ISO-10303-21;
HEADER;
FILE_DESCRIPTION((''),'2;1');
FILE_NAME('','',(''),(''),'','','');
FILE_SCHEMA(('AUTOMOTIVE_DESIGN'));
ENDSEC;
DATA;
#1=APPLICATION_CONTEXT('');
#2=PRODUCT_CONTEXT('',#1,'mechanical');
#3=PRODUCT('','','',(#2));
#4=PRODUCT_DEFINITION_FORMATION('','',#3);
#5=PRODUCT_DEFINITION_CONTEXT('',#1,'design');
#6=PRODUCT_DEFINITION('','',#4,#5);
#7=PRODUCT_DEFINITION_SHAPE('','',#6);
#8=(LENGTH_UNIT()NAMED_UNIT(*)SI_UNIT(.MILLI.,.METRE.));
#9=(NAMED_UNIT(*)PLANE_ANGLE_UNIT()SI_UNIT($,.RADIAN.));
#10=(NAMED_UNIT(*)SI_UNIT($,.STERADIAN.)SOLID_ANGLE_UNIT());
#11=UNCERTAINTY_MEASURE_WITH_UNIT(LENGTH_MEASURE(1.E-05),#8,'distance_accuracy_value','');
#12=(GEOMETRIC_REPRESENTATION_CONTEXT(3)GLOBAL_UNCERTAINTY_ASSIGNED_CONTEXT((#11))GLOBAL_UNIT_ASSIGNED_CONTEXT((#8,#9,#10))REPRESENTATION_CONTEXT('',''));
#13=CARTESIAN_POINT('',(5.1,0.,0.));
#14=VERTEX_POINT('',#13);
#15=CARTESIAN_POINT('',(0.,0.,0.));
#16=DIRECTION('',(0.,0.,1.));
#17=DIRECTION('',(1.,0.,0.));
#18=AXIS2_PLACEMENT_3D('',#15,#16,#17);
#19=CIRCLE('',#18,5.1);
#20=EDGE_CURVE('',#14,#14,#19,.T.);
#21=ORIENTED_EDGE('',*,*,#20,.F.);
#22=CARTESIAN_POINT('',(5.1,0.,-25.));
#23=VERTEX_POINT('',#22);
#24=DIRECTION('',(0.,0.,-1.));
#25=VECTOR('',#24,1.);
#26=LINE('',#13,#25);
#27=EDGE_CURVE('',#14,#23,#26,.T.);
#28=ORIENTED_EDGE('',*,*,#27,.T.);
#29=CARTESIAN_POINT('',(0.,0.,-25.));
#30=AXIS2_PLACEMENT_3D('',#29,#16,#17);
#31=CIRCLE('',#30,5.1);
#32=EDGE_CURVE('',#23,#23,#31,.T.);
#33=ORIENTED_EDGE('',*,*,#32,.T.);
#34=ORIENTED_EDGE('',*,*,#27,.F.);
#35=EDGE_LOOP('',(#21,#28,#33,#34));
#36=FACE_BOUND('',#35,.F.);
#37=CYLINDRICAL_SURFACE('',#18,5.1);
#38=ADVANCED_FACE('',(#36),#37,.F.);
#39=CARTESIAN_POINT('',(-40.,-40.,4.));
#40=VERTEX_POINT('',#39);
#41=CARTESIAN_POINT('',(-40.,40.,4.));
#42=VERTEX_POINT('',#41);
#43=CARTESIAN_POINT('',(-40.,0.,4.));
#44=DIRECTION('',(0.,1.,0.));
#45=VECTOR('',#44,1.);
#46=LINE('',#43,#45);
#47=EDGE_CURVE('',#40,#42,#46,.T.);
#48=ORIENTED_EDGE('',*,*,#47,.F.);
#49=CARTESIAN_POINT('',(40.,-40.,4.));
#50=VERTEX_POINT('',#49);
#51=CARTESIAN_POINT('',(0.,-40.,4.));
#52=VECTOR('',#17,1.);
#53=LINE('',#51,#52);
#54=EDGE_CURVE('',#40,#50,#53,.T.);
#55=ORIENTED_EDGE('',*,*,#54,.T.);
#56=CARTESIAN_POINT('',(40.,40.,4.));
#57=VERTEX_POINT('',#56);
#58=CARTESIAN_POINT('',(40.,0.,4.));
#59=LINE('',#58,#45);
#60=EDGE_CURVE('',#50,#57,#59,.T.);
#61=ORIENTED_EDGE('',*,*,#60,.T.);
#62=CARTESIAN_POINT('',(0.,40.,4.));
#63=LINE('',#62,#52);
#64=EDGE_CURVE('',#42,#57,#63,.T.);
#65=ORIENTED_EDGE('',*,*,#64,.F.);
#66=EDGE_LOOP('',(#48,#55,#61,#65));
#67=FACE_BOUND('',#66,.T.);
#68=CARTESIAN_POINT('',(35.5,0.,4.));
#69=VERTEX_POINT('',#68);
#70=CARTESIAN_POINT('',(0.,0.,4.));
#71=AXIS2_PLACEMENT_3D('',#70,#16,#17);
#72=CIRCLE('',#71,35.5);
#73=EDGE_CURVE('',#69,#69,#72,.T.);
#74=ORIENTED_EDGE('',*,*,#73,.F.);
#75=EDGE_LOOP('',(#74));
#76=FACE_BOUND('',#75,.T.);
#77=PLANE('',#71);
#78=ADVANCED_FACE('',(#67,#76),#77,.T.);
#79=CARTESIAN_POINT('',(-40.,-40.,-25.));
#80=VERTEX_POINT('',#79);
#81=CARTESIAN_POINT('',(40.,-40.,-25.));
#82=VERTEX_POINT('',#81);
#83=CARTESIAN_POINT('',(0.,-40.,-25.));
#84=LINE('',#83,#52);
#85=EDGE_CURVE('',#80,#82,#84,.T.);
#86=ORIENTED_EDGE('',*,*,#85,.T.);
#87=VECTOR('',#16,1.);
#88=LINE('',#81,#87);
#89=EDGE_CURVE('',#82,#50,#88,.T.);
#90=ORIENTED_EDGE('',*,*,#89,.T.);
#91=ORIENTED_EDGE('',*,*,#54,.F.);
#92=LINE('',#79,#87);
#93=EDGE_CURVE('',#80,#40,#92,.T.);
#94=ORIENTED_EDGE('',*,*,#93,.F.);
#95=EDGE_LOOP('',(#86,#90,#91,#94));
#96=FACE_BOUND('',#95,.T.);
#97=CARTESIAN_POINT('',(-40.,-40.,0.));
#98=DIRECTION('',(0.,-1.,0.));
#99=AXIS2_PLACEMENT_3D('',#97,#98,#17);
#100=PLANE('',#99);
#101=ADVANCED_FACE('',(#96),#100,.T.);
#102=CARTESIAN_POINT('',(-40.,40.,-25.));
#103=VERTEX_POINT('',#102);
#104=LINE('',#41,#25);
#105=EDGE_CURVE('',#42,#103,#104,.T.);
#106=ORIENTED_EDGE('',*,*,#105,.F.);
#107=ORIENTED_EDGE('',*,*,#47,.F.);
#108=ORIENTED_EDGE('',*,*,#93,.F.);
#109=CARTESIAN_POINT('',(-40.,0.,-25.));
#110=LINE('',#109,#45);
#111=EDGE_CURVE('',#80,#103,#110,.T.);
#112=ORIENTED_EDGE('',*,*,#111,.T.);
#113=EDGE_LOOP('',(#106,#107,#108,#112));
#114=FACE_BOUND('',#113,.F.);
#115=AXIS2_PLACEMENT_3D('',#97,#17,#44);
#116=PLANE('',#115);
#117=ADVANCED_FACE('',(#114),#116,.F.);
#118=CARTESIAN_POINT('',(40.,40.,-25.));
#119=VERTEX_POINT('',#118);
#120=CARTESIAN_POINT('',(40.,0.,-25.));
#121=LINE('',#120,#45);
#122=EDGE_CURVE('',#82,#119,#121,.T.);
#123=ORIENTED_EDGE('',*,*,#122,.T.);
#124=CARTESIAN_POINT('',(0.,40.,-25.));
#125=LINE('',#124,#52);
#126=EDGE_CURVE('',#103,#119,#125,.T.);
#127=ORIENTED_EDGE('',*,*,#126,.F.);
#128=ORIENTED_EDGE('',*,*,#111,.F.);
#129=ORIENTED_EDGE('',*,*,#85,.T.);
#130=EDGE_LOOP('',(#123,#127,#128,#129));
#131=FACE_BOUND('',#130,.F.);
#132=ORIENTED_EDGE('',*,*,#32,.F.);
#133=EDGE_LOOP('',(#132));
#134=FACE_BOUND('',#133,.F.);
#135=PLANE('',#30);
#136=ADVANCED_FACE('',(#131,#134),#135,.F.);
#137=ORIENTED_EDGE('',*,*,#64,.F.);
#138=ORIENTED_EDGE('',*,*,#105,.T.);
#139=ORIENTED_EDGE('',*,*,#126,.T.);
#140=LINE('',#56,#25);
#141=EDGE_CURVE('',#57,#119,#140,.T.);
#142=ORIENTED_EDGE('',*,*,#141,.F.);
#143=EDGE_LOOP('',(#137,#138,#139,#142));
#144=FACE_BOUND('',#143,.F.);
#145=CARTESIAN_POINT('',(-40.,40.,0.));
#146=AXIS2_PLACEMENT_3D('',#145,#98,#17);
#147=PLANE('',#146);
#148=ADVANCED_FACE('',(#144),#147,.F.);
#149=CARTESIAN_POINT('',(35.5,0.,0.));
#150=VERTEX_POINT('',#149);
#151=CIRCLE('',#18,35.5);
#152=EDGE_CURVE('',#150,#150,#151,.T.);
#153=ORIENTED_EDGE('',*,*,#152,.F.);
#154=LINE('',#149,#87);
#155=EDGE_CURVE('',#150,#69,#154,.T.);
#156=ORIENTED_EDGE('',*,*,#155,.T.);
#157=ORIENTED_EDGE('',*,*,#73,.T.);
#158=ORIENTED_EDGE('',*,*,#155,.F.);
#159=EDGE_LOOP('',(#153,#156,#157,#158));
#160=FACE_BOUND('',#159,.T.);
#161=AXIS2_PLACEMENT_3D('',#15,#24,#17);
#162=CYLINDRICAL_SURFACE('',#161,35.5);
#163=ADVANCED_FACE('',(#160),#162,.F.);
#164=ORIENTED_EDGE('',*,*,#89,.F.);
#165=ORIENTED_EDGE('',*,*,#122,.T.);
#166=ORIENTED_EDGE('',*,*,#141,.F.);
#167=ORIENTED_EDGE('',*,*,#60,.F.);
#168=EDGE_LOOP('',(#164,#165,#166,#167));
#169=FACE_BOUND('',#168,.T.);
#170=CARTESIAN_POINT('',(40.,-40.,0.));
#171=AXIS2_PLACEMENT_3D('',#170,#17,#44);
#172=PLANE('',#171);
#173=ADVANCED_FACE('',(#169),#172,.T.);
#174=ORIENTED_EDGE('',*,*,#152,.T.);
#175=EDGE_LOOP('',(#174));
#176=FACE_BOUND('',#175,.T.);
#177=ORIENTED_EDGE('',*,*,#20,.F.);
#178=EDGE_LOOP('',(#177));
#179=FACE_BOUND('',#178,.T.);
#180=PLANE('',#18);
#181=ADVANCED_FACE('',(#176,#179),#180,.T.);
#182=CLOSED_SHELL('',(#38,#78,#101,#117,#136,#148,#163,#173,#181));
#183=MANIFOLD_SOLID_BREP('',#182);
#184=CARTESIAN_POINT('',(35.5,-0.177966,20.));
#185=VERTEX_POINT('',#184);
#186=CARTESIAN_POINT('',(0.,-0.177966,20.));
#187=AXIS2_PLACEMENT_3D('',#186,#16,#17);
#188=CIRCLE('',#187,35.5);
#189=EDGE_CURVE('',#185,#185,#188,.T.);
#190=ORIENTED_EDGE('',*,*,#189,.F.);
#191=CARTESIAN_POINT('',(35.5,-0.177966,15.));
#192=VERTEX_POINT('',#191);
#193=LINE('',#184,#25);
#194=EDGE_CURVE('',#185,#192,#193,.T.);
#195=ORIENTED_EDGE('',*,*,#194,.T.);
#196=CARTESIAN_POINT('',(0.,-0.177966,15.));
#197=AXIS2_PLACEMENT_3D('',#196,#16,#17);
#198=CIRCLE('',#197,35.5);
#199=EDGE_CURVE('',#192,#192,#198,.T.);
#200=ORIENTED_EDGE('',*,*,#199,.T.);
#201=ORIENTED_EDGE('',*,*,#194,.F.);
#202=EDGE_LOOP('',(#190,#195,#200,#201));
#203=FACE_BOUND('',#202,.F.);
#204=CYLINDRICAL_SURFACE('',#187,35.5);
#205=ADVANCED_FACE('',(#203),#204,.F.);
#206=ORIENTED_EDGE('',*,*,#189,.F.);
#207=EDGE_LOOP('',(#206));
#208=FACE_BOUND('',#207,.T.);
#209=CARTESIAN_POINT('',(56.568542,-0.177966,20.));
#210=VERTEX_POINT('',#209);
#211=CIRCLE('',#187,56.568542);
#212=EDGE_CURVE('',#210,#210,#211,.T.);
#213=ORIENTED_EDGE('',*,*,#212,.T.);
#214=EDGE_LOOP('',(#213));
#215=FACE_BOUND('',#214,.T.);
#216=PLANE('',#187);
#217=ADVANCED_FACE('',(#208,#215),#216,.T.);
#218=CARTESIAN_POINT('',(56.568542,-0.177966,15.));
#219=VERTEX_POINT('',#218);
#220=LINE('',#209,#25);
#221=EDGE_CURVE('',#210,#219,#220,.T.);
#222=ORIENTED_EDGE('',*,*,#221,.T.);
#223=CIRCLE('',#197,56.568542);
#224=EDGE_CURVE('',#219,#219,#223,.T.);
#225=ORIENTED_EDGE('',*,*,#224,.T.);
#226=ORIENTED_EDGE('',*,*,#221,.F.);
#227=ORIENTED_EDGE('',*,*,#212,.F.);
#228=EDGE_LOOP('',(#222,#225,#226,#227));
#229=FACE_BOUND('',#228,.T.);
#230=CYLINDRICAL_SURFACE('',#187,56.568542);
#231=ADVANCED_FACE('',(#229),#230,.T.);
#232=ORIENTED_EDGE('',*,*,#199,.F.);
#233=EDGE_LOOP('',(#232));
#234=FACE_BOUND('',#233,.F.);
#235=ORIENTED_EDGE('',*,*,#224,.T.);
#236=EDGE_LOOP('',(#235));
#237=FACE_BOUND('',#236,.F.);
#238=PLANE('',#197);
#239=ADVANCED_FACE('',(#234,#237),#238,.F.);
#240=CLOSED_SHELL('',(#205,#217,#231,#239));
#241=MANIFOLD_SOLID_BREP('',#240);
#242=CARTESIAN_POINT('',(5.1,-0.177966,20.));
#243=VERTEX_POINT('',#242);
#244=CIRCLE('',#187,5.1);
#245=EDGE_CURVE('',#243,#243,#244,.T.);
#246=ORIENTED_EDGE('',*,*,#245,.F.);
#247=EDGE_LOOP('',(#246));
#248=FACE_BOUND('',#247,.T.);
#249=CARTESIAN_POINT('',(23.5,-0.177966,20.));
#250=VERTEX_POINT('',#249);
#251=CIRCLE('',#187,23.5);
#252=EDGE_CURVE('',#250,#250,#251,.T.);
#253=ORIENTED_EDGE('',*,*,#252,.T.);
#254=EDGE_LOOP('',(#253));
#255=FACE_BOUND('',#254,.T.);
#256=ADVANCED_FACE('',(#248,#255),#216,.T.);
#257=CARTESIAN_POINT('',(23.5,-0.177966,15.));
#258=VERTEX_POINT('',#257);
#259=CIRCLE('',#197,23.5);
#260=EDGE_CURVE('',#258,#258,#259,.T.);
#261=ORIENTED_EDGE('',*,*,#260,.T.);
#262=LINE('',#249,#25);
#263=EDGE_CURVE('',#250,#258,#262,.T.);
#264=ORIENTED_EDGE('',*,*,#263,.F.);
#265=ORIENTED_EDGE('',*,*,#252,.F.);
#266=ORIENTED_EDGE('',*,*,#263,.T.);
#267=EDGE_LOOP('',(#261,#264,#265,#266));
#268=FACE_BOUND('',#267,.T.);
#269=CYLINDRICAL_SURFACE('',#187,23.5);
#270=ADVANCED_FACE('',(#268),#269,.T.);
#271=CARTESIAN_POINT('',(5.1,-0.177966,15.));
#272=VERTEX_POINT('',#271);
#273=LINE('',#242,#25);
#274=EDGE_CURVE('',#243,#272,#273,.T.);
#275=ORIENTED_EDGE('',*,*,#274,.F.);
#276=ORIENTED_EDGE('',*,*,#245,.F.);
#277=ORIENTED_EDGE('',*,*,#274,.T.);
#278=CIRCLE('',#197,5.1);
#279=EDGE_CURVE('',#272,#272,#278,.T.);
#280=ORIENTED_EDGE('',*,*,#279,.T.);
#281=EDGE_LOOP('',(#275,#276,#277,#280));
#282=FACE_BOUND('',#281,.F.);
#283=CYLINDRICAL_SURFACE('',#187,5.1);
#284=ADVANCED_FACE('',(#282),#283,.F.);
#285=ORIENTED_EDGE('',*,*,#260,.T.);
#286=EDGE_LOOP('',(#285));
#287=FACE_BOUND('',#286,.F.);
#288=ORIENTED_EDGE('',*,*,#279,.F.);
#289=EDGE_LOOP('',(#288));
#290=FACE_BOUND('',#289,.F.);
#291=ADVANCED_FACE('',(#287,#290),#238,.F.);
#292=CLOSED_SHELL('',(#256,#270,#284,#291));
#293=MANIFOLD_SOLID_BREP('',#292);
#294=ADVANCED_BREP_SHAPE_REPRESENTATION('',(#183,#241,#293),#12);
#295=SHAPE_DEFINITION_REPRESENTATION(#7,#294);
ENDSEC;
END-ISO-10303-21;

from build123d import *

# Parameters (mm, degrees)
F0_W     = 80
F0_H     = 80
F0_R     = 35.5
F1_DEPTH = 4
F0_R_2   = 5.1
F2_DEPTH = 25
F4_R     = 56.5685424949
F4_R_2   = 35.5
F5_DEPTH = 5
F4_R_3   = 23.5
F4_R_4   = 5.1


with BuildPart() as f1:
    # F0 (on Top) → F1 (new body)
    with BuildSketch(Plane.XY):
        Rectangle(F0_W, F0_H)
        Circle(F0_R, mode=Mode.SUBTRACT)
    extrude(amount=F1_DEPTH)

    # F0 (on Top) → F2 (join)
    with BuildSketch(Plane.XY):
        Rectangle(F0_W, F0_H)
        Circle(F0_R, mode=Mode.SUBTRACT)
        Circle(F0_R)
        Circle(F0_R_2, mode=Mode.SUBTRACT)
    extrude(amount=-F2_DEPTH)


with BuildPart() as f5:
    # F4 (on offset) → F5 (new body)
    with BuildSketch(Plane.XY.offset(20)):
        with Locations((0, -0.1779661106)):
            Circle(F4_R)
        with Locations((0, -0.1779661106)):
            Circle(F4_R_2, mode=Mode.SUBTRACT)
    extrude(amount=-F5_DEPTH)


with BuildPart() as f5b:
    # F4 (on offset) → F5, piece 2 (new body)
    with BuildSketch(Plane.XY.offset(20)):
        with Locations((0, -0.1779661106)):
            Circle(F4_R_3)
        with Locations((0, -0.1779661106)):
            Circle(F4_R_4, mode=Mode.SUBTRACT)
    extrude(amount=-F5_DEPTH)


solid = Compound([f1.part, f5.part, f5b.part])
